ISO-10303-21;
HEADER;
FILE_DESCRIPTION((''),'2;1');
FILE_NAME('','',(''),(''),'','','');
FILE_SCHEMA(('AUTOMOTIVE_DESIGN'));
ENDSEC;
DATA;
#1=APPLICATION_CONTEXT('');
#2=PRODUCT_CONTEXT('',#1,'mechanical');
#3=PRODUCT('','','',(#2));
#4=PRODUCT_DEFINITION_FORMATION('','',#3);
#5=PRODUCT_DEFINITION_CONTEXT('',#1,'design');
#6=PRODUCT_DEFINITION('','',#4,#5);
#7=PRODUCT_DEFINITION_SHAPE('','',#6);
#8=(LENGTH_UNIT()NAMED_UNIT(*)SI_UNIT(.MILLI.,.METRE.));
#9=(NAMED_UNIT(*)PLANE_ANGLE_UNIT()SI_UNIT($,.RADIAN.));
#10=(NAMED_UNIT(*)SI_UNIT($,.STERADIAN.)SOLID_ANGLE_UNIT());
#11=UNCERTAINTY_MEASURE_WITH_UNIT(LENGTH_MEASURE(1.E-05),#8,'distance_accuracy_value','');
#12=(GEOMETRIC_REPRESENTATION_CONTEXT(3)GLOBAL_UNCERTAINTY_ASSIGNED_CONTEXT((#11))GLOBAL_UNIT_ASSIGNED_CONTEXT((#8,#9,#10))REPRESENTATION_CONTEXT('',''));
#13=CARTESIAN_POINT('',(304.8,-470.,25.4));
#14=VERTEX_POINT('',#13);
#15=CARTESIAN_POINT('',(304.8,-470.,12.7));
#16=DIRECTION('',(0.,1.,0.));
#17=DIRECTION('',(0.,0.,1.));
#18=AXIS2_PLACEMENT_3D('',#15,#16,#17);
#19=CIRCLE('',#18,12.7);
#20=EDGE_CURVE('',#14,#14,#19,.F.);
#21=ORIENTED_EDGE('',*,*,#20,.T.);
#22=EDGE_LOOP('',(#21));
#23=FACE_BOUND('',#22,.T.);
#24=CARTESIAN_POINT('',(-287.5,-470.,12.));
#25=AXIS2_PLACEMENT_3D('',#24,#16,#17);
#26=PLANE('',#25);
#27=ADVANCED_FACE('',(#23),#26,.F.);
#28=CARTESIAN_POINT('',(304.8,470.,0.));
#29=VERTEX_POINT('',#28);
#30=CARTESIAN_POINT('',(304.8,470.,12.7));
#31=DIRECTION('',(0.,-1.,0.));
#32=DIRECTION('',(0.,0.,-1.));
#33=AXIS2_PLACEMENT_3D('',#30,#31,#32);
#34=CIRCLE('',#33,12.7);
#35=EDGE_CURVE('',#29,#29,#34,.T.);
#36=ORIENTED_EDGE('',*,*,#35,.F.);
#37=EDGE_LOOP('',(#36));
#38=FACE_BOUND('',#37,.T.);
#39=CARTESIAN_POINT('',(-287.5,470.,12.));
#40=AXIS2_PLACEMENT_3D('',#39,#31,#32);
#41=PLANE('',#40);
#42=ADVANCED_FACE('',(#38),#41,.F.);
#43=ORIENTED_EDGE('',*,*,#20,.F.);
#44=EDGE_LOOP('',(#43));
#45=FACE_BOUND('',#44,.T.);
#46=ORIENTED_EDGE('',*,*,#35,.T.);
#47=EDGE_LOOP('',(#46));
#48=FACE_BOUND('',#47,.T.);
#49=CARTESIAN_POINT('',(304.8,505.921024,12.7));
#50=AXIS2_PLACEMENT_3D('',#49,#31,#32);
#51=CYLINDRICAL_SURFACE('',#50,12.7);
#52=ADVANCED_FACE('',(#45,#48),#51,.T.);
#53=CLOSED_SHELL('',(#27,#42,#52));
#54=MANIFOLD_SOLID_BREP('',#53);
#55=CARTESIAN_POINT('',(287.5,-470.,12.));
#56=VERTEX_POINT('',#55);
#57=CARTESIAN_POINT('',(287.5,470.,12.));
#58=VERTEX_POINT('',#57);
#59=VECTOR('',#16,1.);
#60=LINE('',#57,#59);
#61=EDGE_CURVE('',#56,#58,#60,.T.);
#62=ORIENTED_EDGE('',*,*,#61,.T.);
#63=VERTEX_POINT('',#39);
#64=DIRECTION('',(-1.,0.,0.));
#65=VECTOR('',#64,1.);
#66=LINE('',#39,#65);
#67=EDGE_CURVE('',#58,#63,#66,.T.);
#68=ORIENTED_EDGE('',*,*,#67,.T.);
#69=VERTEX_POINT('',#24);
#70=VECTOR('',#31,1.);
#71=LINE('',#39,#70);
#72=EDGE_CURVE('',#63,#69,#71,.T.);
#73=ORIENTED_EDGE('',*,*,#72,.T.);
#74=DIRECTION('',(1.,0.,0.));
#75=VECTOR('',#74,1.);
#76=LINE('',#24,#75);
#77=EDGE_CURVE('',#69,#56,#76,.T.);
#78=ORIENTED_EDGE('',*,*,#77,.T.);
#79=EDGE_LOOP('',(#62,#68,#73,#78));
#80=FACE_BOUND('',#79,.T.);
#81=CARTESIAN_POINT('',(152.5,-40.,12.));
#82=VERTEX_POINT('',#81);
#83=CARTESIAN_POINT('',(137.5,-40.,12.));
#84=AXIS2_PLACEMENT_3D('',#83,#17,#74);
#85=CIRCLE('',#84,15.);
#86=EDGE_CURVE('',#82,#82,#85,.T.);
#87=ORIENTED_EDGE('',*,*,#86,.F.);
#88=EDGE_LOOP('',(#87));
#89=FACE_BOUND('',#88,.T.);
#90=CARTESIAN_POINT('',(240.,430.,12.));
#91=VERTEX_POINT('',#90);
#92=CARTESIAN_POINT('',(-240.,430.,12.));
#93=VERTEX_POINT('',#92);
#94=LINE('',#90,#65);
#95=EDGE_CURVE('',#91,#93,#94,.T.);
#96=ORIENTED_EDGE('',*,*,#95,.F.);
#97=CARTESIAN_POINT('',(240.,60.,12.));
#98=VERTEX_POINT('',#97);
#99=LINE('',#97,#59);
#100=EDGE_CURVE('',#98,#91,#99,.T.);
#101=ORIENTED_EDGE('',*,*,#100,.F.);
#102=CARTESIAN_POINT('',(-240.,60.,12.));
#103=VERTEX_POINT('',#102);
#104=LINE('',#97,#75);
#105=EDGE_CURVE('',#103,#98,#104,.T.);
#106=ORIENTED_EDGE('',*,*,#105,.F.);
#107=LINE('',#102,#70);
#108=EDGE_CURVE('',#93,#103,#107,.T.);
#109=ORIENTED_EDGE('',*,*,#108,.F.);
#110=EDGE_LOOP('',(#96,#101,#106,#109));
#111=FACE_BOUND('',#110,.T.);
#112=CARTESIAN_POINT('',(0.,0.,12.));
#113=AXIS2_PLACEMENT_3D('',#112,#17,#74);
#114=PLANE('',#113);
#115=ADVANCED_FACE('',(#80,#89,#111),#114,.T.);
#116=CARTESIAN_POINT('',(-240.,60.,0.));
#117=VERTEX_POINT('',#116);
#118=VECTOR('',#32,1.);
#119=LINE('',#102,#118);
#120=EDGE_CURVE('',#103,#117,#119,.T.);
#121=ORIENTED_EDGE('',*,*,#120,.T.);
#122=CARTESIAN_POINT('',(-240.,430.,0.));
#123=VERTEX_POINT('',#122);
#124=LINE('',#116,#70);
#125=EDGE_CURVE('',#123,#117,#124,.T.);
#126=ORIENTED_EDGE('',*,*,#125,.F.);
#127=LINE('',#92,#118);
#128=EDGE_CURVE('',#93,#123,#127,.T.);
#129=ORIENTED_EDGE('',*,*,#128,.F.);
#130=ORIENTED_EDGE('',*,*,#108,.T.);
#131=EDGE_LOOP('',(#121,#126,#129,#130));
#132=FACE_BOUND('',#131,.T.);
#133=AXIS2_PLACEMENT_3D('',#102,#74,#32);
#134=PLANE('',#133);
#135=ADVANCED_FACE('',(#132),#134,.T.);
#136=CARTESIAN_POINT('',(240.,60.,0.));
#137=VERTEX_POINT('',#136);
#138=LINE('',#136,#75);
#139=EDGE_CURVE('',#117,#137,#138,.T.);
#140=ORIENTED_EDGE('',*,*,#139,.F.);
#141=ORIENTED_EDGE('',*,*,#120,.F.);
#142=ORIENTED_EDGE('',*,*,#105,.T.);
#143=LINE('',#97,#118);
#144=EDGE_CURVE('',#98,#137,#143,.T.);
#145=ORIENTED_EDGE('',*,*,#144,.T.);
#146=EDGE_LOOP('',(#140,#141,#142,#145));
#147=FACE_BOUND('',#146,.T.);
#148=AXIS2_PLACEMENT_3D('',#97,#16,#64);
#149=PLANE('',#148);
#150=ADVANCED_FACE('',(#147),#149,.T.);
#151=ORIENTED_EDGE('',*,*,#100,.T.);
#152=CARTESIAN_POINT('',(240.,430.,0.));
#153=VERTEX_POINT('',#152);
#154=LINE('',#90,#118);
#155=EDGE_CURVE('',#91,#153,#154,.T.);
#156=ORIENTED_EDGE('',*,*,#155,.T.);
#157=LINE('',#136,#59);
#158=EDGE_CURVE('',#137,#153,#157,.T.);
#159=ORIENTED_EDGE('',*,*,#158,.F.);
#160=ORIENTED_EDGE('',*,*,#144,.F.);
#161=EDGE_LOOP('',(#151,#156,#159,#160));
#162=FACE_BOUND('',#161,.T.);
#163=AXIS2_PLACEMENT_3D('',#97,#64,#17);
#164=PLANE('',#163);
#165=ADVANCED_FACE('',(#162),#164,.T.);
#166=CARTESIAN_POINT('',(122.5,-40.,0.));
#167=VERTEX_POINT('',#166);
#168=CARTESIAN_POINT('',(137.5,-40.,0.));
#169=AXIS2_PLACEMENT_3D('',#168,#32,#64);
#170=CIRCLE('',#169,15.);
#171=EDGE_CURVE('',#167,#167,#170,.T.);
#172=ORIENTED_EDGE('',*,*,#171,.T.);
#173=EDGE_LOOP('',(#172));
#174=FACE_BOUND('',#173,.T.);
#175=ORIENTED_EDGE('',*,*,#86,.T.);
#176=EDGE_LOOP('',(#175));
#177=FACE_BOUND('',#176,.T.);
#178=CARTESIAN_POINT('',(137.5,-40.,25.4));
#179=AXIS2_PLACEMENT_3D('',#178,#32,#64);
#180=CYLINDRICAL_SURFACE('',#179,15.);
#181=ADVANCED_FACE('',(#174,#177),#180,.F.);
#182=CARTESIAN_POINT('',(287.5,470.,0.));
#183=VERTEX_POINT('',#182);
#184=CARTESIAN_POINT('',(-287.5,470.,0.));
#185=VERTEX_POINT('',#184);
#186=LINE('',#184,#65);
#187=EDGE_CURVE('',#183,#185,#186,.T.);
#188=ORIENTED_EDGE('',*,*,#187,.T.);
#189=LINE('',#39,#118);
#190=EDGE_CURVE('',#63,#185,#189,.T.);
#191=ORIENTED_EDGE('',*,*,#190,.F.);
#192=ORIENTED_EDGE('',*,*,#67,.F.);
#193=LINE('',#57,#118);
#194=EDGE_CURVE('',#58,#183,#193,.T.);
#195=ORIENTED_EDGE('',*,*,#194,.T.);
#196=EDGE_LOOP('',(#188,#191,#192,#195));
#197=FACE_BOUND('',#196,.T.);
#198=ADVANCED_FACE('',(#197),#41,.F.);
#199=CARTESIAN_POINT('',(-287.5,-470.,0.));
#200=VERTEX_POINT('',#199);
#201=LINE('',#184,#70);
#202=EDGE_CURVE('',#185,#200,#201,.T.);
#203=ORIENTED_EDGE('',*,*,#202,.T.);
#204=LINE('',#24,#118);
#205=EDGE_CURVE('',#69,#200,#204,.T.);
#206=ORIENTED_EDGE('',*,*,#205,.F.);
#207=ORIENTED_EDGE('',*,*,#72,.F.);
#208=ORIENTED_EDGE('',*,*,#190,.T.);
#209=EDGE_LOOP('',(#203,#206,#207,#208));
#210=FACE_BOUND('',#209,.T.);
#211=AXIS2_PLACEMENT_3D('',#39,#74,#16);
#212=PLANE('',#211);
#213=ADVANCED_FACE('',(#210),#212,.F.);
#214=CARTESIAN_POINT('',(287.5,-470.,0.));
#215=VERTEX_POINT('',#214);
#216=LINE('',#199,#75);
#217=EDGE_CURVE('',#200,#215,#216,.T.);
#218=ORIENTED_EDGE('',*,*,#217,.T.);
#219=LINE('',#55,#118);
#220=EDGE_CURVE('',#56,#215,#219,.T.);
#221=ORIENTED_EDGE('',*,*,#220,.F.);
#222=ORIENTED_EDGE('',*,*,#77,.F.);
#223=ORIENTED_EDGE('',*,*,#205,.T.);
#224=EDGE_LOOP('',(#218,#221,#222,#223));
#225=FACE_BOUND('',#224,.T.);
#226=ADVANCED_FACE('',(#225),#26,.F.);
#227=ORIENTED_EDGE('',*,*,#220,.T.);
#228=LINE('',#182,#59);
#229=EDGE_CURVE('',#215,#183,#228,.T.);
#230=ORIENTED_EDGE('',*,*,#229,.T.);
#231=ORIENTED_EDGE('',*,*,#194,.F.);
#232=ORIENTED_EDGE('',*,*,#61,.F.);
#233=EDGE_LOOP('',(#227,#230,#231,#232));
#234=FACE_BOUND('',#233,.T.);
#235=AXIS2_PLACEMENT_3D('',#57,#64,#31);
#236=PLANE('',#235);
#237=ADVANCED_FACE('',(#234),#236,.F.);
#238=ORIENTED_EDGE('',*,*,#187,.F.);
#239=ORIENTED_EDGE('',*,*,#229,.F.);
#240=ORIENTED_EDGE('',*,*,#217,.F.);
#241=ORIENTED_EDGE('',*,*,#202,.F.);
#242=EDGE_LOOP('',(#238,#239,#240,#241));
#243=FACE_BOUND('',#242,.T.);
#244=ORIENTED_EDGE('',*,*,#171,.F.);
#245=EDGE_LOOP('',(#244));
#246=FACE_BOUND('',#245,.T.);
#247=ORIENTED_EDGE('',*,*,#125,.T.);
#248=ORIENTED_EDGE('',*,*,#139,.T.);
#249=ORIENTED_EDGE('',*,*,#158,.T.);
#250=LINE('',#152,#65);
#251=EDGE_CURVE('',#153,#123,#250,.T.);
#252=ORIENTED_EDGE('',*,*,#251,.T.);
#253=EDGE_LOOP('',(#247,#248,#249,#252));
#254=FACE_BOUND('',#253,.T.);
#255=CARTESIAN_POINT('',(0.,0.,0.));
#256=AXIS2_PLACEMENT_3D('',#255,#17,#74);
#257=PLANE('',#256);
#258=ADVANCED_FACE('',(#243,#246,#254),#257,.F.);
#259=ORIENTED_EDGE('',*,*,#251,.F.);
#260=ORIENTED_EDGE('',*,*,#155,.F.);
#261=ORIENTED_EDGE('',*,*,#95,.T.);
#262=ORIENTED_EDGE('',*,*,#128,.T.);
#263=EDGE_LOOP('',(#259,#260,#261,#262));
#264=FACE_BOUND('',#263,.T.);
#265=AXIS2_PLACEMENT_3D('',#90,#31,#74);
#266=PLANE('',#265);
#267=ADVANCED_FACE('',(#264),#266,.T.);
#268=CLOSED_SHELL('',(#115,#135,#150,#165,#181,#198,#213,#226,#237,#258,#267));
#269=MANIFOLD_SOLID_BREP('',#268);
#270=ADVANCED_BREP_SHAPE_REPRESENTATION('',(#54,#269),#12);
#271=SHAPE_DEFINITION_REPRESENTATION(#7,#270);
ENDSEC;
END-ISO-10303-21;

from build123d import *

# Parameters (mm, degrees)
SKETCH1_W                       = 575
SKETCH1_H                       = 940
SKETCH1_W_2                     = 480
SKETCH1_H_2                     = 370
BOSS_EXTRUDE1_DEPTH             = 12
BOSS_EXTRUDE2_REACH             = 553.09
SKETCH2_R                       = 12.7
BOSS_EXTRUDE2_DIRECTION_2_REACH = 553.09
SKETCH3_R                       = 12.5
SKETCH3_R_2                     = 15
CUT_EXTRUDE1_DEPTH              = 568.759993307


with BuildPart() as part:
    # Sketch1 → Boss-Extrude1 (new body)
    with BuildSketch(Plane.XY):
        Rectangle(SKETCH1_W, SKETCH1_H)
        with Locations((0, 245)):
            Rectangle(SKETCH1_W_2, SKETCH1_H_2, mode=Mode.SUBTRACT)
    extrude(amount=BOSS_EXTRUDE1_DEPTH)


with BuildPart() as body_2:

    # Boss-Extrude2: up to this face of the body (flat: up to its plane)
    boss_extrude2_end = Plane(part.part.faces().sort_by_distance((0, 470, 6))[0])
    # Sketch2 → Boss-Extrude2 (new, up to the picked face)
    with BuildSketch(Plane(origin=(0, 0, 0), x_dir=(1, 0, 0), z_dir=(0, 1, 0)), mode=Mode.PRIVATE) as boss_extrude2_sk1:
        with Locations(Location((304.8, -12.7, 0), (0, 0, 90))):
            Circle(SKETCH2_R)
    boss_extrude2_tool1 = split(extrude(boss_extrude2_sk1.sketch, amount=BOSS_EXTRUDE2_REACH, mode=Mode.PRIVATE), bisect_by=boss_extrude2_end, keep=Keep.BOTH, mode=Mode.PRIVATE)
    add(boss_extrude2_tool1.solids().sort_by(Axis((304.8, 0, 12.7), (0, 1, 0)))[0])


    # Boss-Extrude2 direction 2: up to this face of the body (flat: up to its plane)
    boss_extrude2_direction_2_end = Plane(part.part.faces().sort_by_distance((0, -470, 6))[0])
    # Sketch2 → Boss-Extrude2 direction 2 (add, up to the picked face)
    with BuildSketch(Plane(origin=(0, 0, 0), x_dir=(1, 0, 0), z_dir=(0, 1, 0)), mode=Mode.PRIVATE) as boss_extrude2_direction_2_sk1:
        with Locations(Location((304.8, -12.7, 0), (0, 0, 90))):
            Circle(SKETCH2_R)
    boss_extrude2_direction_2_tool1 = split(extrude(boss_extrude2_direction_2_sk1.sketch, amount=-BOSS_EXTRUDE2_DIRECTION_2_REACH, mode=Mode.PRIVATE), bisect_by=boss_extrude2_direction_2_end, keep=Keep.BOTH, mode=Mode.PRIVATE)
    add(boss_extrude2_direction_2_tool1.solids().sort_by(Axis((304.8, 0, 12.7), (0, -1, 0)))[0])


with BuildPart() as part_1:
    add(part.part)

    # Sketch3 → Cut-Extrude1 (cut, through all)
    with BuildSketch(Plane(origin=(0, 0, 0), x_dir=(-1, 0, 0), z_dir=(0, 0, -1))):
        with Locations((-137.5, -40)):
            Circle(SKETCH3_R)
        with Locations((-137.5, -40)):
            Circle(SKETCH3_R_2)
    extrude(amount=-CUT_EXTRUDE1_DEPTH, mode=Mode.SUBTRACT)


solid = Compound([body_2.part, part_1.part])
